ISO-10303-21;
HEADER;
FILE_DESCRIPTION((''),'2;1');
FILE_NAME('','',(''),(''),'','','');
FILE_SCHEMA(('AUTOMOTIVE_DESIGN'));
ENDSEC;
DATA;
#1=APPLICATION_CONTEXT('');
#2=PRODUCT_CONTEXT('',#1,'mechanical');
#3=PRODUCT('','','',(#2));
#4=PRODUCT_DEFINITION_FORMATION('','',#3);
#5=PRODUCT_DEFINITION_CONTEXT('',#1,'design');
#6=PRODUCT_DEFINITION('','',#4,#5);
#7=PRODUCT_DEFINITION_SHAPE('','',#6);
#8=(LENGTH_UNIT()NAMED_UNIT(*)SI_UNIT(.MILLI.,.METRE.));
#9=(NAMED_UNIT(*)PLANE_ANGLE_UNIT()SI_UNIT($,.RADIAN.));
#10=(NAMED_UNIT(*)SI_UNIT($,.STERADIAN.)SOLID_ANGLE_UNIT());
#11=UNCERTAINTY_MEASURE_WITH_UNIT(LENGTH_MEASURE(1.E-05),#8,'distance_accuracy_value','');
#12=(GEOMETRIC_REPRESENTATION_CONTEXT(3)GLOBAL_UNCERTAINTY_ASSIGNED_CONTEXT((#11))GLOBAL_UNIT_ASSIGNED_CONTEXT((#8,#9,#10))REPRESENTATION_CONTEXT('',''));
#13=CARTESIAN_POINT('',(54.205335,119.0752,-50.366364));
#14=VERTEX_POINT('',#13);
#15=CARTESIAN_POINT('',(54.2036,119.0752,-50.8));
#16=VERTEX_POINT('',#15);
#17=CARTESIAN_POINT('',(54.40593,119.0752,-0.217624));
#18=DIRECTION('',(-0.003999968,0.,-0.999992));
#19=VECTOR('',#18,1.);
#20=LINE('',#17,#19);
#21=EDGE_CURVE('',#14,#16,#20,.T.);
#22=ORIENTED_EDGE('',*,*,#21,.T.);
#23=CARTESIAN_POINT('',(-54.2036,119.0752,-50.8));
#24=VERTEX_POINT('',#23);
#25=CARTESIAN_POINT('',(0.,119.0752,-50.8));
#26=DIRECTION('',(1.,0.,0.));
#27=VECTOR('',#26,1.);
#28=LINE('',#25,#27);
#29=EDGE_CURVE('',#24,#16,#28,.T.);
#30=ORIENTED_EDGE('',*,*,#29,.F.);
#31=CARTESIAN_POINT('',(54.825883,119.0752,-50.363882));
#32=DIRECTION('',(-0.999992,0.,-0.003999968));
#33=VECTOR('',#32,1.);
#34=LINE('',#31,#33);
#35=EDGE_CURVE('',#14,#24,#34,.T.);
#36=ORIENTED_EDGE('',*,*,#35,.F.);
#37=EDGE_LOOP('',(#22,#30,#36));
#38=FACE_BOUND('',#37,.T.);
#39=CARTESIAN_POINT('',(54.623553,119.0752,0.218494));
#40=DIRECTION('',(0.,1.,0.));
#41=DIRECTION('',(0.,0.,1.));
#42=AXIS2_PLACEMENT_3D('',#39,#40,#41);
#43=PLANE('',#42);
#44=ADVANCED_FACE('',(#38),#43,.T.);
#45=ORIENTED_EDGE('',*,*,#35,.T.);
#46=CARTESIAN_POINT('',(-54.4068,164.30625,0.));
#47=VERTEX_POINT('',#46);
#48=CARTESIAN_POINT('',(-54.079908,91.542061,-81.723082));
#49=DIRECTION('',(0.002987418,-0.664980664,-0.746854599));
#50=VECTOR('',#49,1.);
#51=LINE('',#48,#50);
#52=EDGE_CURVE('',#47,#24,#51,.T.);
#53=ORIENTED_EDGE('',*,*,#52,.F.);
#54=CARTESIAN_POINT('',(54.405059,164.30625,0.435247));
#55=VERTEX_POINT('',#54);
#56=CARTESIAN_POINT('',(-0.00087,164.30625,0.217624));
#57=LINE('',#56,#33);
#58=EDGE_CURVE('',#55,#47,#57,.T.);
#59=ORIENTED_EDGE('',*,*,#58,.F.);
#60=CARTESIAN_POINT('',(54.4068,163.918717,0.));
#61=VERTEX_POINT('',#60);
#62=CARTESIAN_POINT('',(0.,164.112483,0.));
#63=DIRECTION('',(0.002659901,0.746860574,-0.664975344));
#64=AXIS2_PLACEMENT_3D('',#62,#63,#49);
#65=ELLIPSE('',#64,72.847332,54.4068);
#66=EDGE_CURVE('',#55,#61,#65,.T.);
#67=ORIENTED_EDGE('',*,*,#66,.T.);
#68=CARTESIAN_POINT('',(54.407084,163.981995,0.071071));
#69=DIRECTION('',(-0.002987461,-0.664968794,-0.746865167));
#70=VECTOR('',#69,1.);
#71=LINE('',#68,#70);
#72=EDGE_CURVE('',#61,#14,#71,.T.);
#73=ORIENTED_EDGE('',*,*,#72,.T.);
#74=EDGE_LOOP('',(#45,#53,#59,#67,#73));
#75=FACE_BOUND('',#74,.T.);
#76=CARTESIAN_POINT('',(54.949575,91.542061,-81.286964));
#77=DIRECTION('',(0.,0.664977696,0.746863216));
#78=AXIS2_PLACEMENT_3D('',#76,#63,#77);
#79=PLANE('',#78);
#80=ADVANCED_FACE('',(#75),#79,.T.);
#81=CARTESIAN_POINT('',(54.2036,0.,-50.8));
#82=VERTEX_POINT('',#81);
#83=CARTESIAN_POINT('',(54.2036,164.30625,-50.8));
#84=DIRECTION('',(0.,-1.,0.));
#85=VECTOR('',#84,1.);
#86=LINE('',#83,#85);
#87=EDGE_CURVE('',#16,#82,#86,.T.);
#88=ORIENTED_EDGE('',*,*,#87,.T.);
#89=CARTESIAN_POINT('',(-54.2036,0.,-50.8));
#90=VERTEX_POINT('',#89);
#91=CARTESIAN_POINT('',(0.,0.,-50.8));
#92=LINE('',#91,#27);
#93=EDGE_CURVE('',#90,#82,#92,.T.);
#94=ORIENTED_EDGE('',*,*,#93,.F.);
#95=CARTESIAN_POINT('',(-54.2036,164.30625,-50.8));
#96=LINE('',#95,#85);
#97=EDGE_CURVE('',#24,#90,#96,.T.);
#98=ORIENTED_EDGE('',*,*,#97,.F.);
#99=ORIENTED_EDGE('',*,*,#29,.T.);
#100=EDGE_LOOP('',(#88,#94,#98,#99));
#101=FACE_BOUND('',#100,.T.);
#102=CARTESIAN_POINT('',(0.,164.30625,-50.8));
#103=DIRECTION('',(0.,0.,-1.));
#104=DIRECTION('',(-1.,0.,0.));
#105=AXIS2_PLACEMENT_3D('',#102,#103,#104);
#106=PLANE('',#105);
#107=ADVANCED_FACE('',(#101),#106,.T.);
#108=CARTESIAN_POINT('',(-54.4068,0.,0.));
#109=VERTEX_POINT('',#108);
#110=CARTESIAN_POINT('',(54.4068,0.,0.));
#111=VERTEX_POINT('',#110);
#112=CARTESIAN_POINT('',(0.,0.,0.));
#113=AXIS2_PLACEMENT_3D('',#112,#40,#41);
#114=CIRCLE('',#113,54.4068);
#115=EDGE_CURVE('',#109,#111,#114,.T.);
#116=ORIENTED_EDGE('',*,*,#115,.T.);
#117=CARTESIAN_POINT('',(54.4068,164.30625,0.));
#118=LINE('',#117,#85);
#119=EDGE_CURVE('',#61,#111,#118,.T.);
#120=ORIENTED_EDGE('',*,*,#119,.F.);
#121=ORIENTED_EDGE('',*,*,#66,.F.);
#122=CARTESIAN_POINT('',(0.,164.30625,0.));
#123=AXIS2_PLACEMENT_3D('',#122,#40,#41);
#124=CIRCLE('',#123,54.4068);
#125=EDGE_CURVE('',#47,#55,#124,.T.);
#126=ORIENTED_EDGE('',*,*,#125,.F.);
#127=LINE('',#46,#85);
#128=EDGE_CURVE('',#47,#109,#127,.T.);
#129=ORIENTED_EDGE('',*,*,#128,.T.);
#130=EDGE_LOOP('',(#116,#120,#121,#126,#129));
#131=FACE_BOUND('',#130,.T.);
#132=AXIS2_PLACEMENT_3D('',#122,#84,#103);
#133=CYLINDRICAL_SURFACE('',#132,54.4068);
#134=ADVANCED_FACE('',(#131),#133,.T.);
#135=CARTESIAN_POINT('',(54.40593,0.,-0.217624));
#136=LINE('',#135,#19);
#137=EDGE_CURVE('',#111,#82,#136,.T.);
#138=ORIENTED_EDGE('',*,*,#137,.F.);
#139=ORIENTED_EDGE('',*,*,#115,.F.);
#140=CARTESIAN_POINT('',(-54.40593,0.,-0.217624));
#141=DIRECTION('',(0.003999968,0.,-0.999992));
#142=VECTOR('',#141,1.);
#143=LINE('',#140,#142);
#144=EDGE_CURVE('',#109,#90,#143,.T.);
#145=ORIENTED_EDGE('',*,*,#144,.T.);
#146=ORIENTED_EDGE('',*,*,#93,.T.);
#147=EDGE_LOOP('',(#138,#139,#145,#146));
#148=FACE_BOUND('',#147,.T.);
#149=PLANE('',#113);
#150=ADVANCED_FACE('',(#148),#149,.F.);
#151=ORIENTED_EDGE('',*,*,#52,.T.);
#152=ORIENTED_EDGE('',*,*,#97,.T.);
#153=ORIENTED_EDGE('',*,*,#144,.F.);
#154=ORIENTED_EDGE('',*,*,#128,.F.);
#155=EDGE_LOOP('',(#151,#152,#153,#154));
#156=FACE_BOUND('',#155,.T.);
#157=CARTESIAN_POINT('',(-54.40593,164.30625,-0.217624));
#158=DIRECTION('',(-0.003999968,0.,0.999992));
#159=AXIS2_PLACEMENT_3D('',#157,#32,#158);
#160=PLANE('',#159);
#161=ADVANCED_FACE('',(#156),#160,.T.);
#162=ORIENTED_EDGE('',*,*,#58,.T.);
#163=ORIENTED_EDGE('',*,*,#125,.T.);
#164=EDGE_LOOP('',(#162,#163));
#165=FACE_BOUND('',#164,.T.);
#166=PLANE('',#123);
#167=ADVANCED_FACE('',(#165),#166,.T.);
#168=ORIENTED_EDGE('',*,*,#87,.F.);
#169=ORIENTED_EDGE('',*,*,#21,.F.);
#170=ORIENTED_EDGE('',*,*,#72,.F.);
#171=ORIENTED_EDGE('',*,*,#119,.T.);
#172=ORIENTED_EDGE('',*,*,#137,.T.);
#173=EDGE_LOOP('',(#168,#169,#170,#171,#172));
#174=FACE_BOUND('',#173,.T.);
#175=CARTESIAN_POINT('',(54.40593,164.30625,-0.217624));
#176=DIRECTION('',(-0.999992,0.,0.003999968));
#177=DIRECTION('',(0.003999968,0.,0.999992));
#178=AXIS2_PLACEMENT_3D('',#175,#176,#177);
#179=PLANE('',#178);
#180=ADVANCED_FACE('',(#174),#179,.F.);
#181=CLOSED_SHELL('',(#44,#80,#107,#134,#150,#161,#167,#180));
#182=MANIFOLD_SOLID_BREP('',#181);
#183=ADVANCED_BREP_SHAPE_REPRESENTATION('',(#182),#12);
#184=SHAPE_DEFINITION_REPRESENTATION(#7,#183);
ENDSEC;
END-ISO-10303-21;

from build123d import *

# Parameters (mm, degrees)
BOSS_EXTRUDE1_DEPTH = 164.30625
CUT_EXTRUDE1_DEPTH  = 205.500810654
CUT_EXTRUDE2_DEPTH  = 205.500810654


with BuildPart() as part:
    # Sketch3 → Boss-Extrude1 (new body)
    with BuildSketch(Plane(origin=(0, 0, 0), x_dir=(1, 0, 0), z_dir=(0, 1, 0))):
        with BuildLine():
            Line((-54.2036, 50.8), (-54.4068, 0))
            ThreePointArc((-54.4068, 0), (0, -54.4068), (54.4068, 0))
            Line((54.4068, 0), (54.2036, 50.8))
            Line((54.2036, 50.8), (-54.2036, 50.8))
        make_face()
    extrude(amount=BOSS_EXTRUDE1_DEPTH)

    # Sketch6 → Cut-Extrude1 (cut, through all)
    with BuildSketch(Plane(origin=(-54.405929505, 0, -0.217623718), x_dir=(-0.003999968000384008, 0, 0.9999920000959988), z_dir=(-0.9999920000959988, 0, -0.003999968000384008))):
        Polygon((-50.582780939, 119.0752), (0.217625459, 164.30625), (-50.582780939, 164.30625), align=None)
    extrude(amount=-CUT_EXTRUDE1_DEPTH, mode=Mode.SUBTRACT)

    # Sketch6<3> → Cut-Extrude2 (cut, through all)
    with BuildSketch(Plane(origin=(-54.405929505, 0, -0.217623718), x_dir=(-0.003999968000384008, 0, 0.9999920000959988), z_dir=(-0.9999920000959988, 0, -0.003999968000384008))):
        Polygon((-50.582780939, 119.0752), (0.217625459, 164.30625), (0.217625459, 170.743194309), (-79.741095166, 170.743194309), (-79.741095166, 119.0752), align=None)
    extrude(amount=-CUT_EXTRUDE2_DEPTH, mode=Mode.SUBTRACT)


solid = part.part
